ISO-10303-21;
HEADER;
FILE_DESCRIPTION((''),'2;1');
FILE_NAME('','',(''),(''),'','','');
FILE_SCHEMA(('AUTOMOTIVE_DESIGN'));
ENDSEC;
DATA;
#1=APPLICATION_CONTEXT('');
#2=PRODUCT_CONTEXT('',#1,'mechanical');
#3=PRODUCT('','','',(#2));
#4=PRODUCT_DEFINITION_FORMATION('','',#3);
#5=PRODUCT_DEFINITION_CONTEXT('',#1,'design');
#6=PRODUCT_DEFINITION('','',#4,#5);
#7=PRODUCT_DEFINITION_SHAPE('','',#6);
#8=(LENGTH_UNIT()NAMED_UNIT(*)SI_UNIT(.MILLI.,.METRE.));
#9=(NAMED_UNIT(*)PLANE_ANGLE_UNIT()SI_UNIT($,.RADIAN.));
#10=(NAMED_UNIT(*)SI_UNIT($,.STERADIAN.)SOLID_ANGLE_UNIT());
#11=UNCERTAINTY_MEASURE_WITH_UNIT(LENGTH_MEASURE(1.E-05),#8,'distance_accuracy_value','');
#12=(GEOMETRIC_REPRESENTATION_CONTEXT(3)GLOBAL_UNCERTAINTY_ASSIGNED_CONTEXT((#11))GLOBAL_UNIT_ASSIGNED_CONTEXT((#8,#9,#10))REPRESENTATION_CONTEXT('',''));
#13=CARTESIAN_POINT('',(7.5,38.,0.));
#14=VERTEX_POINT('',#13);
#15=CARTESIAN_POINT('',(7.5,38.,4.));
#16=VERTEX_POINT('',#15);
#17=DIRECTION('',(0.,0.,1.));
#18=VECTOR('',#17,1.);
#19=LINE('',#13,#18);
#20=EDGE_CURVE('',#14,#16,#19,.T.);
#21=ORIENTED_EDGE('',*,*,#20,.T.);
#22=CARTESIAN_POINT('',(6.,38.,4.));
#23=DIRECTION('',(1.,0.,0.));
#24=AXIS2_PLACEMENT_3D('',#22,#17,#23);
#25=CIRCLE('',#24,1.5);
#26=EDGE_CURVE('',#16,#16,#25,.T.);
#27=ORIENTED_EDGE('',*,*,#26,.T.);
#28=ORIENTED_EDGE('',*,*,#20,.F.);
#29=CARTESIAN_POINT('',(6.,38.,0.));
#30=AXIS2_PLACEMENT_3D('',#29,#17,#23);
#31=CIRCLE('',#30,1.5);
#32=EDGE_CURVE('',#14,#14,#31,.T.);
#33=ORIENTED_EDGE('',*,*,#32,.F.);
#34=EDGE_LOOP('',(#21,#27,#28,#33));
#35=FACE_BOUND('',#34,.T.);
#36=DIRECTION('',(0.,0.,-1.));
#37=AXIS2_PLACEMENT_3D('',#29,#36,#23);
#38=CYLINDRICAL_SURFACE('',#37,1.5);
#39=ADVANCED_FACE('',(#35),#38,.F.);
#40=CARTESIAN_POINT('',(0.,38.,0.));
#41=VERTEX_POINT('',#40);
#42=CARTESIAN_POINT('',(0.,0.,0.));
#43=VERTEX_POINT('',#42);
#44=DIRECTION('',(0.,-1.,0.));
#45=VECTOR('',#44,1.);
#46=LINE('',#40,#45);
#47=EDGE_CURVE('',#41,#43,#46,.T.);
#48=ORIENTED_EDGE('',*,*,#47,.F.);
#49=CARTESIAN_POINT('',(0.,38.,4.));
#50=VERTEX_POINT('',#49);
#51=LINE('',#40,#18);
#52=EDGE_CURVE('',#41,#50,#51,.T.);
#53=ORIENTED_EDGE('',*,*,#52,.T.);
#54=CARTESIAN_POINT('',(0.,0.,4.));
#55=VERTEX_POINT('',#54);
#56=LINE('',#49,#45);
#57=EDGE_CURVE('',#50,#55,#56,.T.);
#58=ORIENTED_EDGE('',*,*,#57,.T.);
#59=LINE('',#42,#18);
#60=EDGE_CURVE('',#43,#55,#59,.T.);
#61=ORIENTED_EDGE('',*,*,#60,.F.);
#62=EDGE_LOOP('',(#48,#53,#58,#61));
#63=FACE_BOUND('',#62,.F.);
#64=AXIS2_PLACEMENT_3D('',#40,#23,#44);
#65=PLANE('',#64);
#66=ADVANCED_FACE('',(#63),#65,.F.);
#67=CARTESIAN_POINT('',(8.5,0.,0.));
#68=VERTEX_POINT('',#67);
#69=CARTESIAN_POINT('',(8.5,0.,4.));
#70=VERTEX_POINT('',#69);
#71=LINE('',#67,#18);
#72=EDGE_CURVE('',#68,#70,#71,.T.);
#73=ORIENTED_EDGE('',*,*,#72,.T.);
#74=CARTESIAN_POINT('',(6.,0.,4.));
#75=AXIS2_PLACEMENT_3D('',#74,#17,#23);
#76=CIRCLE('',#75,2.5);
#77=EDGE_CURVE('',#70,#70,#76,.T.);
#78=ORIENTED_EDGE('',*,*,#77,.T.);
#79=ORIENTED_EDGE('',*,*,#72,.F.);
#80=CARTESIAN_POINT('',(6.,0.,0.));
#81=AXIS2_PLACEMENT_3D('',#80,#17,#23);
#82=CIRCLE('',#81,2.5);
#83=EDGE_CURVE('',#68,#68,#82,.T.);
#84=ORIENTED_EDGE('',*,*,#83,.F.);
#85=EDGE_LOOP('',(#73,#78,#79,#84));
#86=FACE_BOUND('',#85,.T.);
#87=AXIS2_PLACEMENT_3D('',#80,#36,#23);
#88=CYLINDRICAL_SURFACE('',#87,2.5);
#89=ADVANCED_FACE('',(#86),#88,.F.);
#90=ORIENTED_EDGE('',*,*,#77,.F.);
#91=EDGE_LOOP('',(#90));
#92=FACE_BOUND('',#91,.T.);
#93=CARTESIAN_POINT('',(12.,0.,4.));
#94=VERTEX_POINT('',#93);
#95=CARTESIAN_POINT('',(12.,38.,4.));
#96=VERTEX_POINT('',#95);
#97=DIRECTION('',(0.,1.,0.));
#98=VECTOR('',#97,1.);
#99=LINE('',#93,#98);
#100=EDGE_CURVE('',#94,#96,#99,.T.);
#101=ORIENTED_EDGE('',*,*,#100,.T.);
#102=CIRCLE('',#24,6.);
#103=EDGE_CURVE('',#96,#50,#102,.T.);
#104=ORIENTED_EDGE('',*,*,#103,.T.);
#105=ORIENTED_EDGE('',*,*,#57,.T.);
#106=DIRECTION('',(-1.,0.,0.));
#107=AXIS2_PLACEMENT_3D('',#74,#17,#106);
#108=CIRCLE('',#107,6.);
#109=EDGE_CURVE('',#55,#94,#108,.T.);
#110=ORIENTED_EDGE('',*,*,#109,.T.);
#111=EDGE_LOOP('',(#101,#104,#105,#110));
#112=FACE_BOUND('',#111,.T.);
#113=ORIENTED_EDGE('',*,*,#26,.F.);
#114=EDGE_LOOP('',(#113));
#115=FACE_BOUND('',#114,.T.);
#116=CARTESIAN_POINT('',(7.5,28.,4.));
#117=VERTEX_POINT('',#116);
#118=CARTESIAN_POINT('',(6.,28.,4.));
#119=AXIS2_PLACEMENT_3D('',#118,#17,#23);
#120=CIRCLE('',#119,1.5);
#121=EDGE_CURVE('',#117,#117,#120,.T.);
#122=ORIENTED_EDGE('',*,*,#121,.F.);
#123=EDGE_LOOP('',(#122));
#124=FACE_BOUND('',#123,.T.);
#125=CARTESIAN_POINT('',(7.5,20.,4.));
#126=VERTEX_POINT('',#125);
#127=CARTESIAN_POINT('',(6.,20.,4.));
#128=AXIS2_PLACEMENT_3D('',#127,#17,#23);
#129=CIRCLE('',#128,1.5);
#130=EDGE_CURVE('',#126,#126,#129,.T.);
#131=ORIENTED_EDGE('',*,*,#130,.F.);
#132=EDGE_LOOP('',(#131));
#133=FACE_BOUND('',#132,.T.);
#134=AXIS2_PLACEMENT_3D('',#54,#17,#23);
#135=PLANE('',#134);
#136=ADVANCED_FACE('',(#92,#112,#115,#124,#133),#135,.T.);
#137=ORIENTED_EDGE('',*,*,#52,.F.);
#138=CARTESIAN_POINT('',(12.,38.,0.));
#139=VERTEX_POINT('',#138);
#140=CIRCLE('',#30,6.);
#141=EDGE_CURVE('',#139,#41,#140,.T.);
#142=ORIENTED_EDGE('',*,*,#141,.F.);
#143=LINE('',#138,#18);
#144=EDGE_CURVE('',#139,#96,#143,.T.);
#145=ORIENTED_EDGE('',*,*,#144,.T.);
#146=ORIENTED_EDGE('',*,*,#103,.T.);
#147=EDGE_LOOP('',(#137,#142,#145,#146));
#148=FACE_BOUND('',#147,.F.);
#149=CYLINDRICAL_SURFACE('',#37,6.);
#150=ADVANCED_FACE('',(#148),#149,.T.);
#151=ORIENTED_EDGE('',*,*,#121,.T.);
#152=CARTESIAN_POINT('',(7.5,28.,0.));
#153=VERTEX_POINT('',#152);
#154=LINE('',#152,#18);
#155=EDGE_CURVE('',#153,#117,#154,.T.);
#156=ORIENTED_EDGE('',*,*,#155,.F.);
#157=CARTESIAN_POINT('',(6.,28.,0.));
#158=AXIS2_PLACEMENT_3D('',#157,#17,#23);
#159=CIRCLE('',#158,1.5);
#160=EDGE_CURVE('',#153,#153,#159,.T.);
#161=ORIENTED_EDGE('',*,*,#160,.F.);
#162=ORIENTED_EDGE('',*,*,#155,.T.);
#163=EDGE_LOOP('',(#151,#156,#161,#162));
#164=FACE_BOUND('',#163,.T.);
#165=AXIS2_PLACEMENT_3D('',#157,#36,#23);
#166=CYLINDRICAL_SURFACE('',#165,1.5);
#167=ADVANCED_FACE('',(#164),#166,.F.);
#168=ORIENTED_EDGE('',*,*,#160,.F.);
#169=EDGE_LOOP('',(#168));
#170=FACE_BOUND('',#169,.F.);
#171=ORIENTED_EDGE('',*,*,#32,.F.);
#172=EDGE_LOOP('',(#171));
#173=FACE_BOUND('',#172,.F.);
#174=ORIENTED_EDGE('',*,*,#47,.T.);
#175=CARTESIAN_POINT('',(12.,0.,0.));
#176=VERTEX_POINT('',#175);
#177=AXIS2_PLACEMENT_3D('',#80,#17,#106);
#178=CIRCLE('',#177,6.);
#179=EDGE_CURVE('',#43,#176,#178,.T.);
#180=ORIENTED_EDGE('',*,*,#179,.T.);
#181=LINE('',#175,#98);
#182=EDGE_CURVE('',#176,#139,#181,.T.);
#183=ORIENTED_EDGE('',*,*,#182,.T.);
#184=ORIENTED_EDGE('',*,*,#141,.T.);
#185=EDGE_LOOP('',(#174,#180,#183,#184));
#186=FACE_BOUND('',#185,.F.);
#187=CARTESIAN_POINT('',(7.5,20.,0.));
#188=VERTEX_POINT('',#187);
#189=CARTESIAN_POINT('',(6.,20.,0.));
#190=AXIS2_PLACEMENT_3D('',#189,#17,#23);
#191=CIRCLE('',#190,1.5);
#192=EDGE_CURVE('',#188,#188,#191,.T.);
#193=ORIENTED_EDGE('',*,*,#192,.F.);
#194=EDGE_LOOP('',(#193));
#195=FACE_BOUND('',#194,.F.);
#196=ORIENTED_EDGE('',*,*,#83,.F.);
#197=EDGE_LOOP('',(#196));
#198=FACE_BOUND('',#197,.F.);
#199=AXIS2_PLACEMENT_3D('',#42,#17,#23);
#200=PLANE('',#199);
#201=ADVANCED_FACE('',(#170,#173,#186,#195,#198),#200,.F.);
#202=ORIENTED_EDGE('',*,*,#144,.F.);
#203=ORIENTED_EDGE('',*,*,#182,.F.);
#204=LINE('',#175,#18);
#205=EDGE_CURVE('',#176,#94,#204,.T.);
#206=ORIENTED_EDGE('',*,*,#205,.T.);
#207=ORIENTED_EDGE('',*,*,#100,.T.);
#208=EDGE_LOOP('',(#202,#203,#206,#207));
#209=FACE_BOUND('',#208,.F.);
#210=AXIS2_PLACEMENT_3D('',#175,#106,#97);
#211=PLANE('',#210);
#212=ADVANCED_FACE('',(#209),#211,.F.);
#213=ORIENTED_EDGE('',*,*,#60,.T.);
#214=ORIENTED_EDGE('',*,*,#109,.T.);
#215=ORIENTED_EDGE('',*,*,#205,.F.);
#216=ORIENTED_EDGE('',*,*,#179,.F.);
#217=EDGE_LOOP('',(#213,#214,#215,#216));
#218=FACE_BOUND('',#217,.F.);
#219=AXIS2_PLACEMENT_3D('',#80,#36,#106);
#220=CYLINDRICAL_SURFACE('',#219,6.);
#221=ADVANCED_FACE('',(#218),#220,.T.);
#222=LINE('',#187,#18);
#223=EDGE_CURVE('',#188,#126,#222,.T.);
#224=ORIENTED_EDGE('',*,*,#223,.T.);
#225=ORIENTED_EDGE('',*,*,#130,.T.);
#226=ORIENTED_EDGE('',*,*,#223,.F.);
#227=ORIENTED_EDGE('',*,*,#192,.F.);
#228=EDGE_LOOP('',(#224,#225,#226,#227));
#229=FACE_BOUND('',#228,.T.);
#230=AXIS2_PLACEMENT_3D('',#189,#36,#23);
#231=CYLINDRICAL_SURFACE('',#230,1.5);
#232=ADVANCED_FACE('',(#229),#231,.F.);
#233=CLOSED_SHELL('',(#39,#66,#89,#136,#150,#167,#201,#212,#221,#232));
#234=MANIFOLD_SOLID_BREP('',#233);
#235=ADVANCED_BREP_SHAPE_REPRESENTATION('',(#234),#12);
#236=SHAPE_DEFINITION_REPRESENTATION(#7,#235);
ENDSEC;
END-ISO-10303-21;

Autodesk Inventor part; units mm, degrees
ref_plane "YZ Plane" through (0, 0, 0) normal (1, 0, 0) x (0, 1, 0)
ref_plane "XZ Plane" through (0, 0, 0) normal (0, 1, 0) x (-1, 0, 0)
ref_plane "XY Plane" through (0, 0, 0) normal (0, 0, 1) x (1, 0, 0)
sketch "Sketch1" plane through (0, 0, 0) normal (0, 0, 1) x (1, 0, 0)
  line L0 (0, 0) -> (12, 0) construction
  line L1 (12, 0) -> (12, 38)
  line L2 (12, 38) -> (0, 38) construction
  line L3 (0, 38) -> (0, 0)
  arc A0 (12, 38) -> (0, 38) centre (6, 38) ccw
  arc A1 (0, 0) -> (12, 0) centre (6, 0) ccw
  circle A2 centre (6, 38) radius 1.5
  circle A3 centre (6, 0) radius 2.5
  circle A4 centre (6, 20) radius 1.5
  circle A5 centre (6, 28) radius 1.5
  dimension "d0" = 12
  dimension "d1" = 38
  dimension "d2" = 3
  dimension "d3" = 5
  dimension "d6" = 3
  dimension "d7" = 20
  dimension "d8" = 3
  dimension "d9" = 10
extrude "Extrusion1" add sketch "Sketch1" along normal blind 4
properties part number "z axis arm2"
